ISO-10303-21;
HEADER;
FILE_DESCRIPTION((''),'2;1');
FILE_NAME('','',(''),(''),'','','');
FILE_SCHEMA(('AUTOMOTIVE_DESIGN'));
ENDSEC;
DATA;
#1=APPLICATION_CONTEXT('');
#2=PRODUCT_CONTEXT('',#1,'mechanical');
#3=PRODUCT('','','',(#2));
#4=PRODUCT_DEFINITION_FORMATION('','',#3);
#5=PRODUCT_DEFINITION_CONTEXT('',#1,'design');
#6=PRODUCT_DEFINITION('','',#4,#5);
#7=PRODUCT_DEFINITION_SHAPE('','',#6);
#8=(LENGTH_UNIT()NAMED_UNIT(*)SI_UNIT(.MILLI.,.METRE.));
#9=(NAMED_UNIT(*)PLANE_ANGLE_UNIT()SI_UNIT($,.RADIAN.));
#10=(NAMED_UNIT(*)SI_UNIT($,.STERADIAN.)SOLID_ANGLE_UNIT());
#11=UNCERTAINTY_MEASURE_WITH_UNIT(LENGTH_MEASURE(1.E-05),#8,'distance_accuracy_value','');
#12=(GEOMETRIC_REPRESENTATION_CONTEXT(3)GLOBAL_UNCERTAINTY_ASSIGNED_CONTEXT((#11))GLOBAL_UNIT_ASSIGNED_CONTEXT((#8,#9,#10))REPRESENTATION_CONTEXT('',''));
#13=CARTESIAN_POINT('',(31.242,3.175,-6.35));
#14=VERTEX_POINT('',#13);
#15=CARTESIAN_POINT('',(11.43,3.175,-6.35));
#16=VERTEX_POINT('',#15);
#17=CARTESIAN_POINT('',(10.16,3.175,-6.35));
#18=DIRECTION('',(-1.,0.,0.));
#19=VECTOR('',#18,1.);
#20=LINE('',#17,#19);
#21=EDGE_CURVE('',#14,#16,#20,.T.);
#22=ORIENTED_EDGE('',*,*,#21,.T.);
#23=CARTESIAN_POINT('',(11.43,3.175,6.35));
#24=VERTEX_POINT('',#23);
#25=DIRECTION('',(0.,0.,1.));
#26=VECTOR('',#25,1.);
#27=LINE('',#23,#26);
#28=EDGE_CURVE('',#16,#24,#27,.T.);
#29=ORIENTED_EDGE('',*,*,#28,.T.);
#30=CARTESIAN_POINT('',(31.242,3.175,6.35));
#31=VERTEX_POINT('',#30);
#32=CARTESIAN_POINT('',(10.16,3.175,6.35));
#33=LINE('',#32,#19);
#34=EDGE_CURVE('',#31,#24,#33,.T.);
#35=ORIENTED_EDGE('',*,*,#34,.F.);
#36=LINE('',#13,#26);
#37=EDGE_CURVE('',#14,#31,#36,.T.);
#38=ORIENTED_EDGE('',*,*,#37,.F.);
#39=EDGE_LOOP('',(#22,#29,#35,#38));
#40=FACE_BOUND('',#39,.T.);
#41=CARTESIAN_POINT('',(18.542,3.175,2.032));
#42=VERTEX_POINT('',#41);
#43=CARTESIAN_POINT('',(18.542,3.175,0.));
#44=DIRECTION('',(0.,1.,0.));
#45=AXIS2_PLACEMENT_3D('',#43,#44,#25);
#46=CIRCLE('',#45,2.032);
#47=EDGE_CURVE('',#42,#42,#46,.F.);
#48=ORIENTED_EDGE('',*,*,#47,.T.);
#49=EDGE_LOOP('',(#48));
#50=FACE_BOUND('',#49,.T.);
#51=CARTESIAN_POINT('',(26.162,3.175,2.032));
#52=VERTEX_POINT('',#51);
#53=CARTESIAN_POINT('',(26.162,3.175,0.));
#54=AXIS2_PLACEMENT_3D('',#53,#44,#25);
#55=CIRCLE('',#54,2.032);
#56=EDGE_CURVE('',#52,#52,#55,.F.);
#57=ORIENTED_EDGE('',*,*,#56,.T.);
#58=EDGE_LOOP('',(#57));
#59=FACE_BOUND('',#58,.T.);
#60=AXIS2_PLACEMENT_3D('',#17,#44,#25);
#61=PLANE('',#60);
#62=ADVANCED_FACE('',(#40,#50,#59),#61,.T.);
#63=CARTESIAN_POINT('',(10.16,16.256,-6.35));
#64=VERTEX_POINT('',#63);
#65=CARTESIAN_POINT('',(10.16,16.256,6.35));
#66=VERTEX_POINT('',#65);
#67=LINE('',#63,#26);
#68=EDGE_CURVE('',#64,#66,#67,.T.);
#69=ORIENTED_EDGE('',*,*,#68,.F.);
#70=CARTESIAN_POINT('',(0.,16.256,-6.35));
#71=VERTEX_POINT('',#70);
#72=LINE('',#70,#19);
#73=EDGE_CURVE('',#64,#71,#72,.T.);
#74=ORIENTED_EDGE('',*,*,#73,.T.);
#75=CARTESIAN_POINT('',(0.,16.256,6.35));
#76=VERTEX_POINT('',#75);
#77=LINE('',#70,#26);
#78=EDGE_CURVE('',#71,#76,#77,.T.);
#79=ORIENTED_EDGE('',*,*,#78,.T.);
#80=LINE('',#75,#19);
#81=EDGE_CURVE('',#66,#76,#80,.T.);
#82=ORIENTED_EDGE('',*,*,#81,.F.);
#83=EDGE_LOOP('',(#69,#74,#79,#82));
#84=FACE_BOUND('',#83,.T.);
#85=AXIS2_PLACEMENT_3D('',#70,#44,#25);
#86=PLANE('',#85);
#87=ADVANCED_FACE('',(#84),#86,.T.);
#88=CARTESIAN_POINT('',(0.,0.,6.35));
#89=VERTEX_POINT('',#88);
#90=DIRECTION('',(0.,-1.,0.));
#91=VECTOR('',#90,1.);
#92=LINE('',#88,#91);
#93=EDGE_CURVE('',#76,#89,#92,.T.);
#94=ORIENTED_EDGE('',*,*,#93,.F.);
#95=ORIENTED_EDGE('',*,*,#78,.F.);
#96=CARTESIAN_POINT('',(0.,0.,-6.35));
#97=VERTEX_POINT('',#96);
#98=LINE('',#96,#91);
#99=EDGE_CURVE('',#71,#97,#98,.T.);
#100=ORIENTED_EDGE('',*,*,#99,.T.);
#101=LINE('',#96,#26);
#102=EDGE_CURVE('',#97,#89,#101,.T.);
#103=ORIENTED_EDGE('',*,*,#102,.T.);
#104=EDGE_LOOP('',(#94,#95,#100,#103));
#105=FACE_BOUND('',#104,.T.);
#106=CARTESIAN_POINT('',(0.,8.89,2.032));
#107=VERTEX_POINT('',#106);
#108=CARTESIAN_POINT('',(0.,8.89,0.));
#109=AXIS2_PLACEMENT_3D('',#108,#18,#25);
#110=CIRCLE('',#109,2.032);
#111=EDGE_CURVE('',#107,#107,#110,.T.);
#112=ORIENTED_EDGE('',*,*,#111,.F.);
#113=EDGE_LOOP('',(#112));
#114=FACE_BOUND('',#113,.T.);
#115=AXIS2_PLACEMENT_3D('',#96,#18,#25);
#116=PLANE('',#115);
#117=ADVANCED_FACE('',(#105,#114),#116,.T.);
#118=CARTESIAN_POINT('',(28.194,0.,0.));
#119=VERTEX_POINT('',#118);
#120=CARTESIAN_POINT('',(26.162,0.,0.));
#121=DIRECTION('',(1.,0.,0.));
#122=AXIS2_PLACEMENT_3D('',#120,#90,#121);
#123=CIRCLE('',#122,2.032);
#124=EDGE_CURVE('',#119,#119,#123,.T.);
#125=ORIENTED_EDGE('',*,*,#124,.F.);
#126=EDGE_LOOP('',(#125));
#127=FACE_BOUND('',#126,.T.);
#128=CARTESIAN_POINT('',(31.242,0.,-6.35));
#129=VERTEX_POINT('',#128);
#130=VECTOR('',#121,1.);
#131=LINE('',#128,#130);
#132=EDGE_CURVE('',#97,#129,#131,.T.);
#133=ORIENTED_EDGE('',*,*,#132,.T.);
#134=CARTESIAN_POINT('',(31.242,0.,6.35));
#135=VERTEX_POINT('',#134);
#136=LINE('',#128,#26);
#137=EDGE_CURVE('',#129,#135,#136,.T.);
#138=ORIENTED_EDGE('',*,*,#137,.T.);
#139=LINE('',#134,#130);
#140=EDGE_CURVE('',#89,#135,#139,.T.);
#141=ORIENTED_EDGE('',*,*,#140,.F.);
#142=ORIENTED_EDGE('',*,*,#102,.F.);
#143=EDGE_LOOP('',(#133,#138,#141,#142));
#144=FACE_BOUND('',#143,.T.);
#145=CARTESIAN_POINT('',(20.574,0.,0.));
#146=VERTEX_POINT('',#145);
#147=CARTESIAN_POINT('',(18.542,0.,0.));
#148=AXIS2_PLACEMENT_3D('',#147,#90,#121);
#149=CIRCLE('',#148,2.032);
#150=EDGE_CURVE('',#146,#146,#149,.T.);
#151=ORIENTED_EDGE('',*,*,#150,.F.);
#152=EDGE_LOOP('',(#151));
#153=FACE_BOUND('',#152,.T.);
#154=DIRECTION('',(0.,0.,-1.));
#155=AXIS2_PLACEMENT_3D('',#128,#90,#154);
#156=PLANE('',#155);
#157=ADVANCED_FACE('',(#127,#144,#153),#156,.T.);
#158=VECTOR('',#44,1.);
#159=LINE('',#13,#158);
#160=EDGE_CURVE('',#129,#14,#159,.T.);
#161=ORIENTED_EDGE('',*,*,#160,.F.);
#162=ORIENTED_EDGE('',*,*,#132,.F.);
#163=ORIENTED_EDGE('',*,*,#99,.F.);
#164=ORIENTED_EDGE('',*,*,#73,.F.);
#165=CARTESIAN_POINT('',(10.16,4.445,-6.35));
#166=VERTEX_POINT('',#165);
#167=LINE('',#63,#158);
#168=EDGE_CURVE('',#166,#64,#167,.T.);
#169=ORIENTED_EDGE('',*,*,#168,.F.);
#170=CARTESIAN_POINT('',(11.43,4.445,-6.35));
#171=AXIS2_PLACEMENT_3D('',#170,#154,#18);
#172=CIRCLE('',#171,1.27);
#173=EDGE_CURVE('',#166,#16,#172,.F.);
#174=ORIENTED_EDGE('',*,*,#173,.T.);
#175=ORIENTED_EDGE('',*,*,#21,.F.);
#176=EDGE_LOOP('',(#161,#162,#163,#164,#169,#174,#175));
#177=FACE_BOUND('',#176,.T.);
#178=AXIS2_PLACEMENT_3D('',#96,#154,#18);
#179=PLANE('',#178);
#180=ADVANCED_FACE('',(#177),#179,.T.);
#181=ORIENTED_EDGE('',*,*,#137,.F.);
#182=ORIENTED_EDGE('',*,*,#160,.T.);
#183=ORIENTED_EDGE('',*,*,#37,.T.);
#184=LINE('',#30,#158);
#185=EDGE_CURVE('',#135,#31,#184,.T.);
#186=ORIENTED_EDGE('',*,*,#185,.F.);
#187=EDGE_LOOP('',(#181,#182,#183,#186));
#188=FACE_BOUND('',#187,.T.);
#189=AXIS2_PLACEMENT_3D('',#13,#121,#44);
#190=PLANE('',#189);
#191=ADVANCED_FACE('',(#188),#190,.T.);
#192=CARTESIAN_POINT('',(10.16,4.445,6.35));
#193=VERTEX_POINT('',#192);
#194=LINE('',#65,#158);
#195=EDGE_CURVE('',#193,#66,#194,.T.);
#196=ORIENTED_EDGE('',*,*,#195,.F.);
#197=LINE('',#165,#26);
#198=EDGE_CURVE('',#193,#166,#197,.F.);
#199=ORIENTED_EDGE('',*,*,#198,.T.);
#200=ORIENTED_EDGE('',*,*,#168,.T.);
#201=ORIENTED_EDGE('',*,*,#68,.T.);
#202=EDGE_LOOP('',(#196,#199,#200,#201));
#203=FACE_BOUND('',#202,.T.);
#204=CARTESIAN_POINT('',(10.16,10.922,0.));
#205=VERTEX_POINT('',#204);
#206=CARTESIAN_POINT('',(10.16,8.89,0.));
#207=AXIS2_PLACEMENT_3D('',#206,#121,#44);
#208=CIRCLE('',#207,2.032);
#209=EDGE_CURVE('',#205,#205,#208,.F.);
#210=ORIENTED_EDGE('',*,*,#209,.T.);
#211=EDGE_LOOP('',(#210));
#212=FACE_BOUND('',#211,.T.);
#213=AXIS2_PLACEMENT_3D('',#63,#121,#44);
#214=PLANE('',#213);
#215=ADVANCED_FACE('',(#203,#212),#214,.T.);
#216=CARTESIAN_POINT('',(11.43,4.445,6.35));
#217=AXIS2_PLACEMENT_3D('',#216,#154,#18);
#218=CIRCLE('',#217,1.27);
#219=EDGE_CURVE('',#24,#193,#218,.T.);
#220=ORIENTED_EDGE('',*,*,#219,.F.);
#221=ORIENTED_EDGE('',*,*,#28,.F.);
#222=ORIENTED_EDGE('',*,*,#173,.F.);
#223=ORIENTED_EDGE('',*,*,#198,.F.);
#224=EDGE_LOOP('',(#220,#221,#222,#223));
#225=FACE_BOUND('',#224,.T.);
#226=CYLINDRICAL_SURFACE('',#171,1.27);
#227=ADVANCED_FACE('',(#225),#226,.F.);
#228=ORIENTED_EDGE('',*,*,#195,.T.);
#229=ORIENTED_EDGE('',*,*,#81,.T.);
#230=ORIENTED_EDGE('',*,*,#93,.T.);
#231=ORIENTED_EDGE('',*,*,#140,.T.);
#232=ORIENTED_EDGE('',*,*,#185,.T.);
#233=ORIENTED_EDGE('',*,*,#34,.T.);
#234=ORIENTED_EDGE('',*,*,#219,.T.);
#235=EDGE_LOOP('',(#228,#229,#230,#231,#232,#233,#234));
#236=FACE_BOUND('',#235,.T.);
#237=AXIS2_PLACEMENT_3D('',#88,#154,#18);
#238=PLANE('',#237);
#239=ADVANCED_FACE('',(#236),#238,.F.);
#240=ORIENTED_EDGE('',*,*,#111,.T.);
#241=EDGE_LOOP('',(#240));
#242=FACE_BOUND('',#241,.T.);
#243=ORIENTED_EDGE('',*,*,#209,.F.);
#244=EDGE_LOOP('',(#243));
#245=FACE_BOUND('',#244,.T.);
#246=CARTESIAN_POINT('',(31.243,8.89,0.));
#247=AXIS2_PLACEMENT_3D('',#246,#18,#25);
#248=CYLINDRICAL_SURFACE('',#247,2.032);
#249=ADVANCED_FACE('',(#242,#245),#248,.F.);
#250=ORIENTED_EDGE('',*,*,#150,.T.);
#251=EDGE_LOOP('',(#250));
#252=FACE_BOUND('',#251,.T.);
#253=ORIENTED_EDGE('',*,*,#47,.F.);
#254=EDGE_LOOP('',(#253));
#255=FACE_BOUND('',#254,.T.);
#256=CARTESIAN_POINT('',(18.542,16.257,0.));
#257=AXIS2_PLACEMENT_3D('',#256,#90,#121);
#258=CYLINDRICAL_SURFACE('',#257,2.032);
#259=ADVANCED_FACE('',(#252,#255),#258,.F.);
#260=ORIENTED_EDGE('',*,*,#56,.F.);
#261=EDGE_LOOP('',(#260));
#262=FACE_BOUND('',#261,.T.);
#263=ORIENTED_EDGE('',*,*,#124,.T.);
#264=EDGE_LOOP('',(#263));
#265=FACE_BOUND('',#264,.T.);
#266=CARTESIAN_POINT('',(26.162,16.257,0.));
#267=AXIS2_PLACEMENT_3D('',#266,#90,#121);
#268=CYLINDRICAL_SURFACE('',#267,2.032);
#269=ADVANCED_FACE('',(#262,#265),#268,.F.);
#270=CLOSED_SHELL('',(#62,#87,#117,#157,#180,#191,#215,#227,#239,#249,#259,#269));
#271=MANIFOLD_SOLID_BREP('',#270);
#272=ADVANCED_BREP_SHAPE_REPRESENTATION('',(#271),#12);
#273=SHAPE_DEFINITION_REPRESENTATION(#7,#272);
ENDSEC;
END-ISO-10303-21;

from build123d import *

# Parameters (mm, degrees)
BOSS_EXTRUDE1_DEPTH = 6.35
CUT_EXTRUDE1_REACH  = 37.786
SKETCH2_R           = 2.032
CUT_EXTRUDE2_REACH  = 37.786
SKETCH3_R           = 2.032
FILLET2_R           = 1.27
LPATTERN1_COUNT     = 2
LPATTERN1_PITCH     = 7.62


with BuildPart() as part:
    # Sketch1 → Boss-Extrude1 (new, symmetric)
    with BuildSketch(Plane.XY):
        Polygon((0, 0), (0, 16.256), (10.16, 16.256), (10.16, 3.175), (31.242, 3.175), (31.242, 0), align=None)
    extrude(amount=BOSS_EXTRUDE1_DEPTH, both=True)

    # Sketch2 → Cut-Extrude1 (cut, up to next)
    with BuildSketch(Plane.ZY, mode=Mode.PRIVATE) as cut_extrude1_sk1:
        with Locations((0, 8.89)):
            Circle(SKETCH2_R)
    cut_extrude1_tool1 = extrude(cut_extrude1_sk1.sketch, amount=-CUT_EXTRUDE1_REACH, mode=Mode.PRIVATE) & part.part
    add(cut_extrude1_tool1.solids().sort_by_distance((0, 8.89, 0))[0], mode=Mode.SUBTRACT)

    # Sketch3 → Cut-Extrude2 (cut, up to next)
    with BuildSketch(Plane.XZ, mode=Mode.PRIVATE) as cut_extrude2_sk1:
        with Locations((18.542, 0)):
            Circle(SKETCH3_R)
    cut_extrude2_tool1 = extrude(cut_extrude2_sk1.sketch, amount=-CUT_EXTRUDE2_REACH, mode=Mode.PRIVATE) & part.part
    cut_extrude2 = cut_extrude2_tool1.solids().sort_by_distance((18.542, 0, 0))[0]
    add(cut_extrude2, mode=Mode.SUBTRACT)

    # Fillet2
    fillet2_edges = [part.edges().sort_by_distance(p)[0] for p in [
        (10.16, 3.175, 0),
    ]]
    fillet(fillet2_edges, radius=FILLET2_R)

    # LPattern1: Cut-Extrude2 ×2
    with Locations(*[(i * LPATTERN1_PITCH, 0, 0) for i in range(1, LPATTERN1_COUNT)]):
        add(cut_extrude2, mode=Mode.SUBTRACT)


solid = part.part
